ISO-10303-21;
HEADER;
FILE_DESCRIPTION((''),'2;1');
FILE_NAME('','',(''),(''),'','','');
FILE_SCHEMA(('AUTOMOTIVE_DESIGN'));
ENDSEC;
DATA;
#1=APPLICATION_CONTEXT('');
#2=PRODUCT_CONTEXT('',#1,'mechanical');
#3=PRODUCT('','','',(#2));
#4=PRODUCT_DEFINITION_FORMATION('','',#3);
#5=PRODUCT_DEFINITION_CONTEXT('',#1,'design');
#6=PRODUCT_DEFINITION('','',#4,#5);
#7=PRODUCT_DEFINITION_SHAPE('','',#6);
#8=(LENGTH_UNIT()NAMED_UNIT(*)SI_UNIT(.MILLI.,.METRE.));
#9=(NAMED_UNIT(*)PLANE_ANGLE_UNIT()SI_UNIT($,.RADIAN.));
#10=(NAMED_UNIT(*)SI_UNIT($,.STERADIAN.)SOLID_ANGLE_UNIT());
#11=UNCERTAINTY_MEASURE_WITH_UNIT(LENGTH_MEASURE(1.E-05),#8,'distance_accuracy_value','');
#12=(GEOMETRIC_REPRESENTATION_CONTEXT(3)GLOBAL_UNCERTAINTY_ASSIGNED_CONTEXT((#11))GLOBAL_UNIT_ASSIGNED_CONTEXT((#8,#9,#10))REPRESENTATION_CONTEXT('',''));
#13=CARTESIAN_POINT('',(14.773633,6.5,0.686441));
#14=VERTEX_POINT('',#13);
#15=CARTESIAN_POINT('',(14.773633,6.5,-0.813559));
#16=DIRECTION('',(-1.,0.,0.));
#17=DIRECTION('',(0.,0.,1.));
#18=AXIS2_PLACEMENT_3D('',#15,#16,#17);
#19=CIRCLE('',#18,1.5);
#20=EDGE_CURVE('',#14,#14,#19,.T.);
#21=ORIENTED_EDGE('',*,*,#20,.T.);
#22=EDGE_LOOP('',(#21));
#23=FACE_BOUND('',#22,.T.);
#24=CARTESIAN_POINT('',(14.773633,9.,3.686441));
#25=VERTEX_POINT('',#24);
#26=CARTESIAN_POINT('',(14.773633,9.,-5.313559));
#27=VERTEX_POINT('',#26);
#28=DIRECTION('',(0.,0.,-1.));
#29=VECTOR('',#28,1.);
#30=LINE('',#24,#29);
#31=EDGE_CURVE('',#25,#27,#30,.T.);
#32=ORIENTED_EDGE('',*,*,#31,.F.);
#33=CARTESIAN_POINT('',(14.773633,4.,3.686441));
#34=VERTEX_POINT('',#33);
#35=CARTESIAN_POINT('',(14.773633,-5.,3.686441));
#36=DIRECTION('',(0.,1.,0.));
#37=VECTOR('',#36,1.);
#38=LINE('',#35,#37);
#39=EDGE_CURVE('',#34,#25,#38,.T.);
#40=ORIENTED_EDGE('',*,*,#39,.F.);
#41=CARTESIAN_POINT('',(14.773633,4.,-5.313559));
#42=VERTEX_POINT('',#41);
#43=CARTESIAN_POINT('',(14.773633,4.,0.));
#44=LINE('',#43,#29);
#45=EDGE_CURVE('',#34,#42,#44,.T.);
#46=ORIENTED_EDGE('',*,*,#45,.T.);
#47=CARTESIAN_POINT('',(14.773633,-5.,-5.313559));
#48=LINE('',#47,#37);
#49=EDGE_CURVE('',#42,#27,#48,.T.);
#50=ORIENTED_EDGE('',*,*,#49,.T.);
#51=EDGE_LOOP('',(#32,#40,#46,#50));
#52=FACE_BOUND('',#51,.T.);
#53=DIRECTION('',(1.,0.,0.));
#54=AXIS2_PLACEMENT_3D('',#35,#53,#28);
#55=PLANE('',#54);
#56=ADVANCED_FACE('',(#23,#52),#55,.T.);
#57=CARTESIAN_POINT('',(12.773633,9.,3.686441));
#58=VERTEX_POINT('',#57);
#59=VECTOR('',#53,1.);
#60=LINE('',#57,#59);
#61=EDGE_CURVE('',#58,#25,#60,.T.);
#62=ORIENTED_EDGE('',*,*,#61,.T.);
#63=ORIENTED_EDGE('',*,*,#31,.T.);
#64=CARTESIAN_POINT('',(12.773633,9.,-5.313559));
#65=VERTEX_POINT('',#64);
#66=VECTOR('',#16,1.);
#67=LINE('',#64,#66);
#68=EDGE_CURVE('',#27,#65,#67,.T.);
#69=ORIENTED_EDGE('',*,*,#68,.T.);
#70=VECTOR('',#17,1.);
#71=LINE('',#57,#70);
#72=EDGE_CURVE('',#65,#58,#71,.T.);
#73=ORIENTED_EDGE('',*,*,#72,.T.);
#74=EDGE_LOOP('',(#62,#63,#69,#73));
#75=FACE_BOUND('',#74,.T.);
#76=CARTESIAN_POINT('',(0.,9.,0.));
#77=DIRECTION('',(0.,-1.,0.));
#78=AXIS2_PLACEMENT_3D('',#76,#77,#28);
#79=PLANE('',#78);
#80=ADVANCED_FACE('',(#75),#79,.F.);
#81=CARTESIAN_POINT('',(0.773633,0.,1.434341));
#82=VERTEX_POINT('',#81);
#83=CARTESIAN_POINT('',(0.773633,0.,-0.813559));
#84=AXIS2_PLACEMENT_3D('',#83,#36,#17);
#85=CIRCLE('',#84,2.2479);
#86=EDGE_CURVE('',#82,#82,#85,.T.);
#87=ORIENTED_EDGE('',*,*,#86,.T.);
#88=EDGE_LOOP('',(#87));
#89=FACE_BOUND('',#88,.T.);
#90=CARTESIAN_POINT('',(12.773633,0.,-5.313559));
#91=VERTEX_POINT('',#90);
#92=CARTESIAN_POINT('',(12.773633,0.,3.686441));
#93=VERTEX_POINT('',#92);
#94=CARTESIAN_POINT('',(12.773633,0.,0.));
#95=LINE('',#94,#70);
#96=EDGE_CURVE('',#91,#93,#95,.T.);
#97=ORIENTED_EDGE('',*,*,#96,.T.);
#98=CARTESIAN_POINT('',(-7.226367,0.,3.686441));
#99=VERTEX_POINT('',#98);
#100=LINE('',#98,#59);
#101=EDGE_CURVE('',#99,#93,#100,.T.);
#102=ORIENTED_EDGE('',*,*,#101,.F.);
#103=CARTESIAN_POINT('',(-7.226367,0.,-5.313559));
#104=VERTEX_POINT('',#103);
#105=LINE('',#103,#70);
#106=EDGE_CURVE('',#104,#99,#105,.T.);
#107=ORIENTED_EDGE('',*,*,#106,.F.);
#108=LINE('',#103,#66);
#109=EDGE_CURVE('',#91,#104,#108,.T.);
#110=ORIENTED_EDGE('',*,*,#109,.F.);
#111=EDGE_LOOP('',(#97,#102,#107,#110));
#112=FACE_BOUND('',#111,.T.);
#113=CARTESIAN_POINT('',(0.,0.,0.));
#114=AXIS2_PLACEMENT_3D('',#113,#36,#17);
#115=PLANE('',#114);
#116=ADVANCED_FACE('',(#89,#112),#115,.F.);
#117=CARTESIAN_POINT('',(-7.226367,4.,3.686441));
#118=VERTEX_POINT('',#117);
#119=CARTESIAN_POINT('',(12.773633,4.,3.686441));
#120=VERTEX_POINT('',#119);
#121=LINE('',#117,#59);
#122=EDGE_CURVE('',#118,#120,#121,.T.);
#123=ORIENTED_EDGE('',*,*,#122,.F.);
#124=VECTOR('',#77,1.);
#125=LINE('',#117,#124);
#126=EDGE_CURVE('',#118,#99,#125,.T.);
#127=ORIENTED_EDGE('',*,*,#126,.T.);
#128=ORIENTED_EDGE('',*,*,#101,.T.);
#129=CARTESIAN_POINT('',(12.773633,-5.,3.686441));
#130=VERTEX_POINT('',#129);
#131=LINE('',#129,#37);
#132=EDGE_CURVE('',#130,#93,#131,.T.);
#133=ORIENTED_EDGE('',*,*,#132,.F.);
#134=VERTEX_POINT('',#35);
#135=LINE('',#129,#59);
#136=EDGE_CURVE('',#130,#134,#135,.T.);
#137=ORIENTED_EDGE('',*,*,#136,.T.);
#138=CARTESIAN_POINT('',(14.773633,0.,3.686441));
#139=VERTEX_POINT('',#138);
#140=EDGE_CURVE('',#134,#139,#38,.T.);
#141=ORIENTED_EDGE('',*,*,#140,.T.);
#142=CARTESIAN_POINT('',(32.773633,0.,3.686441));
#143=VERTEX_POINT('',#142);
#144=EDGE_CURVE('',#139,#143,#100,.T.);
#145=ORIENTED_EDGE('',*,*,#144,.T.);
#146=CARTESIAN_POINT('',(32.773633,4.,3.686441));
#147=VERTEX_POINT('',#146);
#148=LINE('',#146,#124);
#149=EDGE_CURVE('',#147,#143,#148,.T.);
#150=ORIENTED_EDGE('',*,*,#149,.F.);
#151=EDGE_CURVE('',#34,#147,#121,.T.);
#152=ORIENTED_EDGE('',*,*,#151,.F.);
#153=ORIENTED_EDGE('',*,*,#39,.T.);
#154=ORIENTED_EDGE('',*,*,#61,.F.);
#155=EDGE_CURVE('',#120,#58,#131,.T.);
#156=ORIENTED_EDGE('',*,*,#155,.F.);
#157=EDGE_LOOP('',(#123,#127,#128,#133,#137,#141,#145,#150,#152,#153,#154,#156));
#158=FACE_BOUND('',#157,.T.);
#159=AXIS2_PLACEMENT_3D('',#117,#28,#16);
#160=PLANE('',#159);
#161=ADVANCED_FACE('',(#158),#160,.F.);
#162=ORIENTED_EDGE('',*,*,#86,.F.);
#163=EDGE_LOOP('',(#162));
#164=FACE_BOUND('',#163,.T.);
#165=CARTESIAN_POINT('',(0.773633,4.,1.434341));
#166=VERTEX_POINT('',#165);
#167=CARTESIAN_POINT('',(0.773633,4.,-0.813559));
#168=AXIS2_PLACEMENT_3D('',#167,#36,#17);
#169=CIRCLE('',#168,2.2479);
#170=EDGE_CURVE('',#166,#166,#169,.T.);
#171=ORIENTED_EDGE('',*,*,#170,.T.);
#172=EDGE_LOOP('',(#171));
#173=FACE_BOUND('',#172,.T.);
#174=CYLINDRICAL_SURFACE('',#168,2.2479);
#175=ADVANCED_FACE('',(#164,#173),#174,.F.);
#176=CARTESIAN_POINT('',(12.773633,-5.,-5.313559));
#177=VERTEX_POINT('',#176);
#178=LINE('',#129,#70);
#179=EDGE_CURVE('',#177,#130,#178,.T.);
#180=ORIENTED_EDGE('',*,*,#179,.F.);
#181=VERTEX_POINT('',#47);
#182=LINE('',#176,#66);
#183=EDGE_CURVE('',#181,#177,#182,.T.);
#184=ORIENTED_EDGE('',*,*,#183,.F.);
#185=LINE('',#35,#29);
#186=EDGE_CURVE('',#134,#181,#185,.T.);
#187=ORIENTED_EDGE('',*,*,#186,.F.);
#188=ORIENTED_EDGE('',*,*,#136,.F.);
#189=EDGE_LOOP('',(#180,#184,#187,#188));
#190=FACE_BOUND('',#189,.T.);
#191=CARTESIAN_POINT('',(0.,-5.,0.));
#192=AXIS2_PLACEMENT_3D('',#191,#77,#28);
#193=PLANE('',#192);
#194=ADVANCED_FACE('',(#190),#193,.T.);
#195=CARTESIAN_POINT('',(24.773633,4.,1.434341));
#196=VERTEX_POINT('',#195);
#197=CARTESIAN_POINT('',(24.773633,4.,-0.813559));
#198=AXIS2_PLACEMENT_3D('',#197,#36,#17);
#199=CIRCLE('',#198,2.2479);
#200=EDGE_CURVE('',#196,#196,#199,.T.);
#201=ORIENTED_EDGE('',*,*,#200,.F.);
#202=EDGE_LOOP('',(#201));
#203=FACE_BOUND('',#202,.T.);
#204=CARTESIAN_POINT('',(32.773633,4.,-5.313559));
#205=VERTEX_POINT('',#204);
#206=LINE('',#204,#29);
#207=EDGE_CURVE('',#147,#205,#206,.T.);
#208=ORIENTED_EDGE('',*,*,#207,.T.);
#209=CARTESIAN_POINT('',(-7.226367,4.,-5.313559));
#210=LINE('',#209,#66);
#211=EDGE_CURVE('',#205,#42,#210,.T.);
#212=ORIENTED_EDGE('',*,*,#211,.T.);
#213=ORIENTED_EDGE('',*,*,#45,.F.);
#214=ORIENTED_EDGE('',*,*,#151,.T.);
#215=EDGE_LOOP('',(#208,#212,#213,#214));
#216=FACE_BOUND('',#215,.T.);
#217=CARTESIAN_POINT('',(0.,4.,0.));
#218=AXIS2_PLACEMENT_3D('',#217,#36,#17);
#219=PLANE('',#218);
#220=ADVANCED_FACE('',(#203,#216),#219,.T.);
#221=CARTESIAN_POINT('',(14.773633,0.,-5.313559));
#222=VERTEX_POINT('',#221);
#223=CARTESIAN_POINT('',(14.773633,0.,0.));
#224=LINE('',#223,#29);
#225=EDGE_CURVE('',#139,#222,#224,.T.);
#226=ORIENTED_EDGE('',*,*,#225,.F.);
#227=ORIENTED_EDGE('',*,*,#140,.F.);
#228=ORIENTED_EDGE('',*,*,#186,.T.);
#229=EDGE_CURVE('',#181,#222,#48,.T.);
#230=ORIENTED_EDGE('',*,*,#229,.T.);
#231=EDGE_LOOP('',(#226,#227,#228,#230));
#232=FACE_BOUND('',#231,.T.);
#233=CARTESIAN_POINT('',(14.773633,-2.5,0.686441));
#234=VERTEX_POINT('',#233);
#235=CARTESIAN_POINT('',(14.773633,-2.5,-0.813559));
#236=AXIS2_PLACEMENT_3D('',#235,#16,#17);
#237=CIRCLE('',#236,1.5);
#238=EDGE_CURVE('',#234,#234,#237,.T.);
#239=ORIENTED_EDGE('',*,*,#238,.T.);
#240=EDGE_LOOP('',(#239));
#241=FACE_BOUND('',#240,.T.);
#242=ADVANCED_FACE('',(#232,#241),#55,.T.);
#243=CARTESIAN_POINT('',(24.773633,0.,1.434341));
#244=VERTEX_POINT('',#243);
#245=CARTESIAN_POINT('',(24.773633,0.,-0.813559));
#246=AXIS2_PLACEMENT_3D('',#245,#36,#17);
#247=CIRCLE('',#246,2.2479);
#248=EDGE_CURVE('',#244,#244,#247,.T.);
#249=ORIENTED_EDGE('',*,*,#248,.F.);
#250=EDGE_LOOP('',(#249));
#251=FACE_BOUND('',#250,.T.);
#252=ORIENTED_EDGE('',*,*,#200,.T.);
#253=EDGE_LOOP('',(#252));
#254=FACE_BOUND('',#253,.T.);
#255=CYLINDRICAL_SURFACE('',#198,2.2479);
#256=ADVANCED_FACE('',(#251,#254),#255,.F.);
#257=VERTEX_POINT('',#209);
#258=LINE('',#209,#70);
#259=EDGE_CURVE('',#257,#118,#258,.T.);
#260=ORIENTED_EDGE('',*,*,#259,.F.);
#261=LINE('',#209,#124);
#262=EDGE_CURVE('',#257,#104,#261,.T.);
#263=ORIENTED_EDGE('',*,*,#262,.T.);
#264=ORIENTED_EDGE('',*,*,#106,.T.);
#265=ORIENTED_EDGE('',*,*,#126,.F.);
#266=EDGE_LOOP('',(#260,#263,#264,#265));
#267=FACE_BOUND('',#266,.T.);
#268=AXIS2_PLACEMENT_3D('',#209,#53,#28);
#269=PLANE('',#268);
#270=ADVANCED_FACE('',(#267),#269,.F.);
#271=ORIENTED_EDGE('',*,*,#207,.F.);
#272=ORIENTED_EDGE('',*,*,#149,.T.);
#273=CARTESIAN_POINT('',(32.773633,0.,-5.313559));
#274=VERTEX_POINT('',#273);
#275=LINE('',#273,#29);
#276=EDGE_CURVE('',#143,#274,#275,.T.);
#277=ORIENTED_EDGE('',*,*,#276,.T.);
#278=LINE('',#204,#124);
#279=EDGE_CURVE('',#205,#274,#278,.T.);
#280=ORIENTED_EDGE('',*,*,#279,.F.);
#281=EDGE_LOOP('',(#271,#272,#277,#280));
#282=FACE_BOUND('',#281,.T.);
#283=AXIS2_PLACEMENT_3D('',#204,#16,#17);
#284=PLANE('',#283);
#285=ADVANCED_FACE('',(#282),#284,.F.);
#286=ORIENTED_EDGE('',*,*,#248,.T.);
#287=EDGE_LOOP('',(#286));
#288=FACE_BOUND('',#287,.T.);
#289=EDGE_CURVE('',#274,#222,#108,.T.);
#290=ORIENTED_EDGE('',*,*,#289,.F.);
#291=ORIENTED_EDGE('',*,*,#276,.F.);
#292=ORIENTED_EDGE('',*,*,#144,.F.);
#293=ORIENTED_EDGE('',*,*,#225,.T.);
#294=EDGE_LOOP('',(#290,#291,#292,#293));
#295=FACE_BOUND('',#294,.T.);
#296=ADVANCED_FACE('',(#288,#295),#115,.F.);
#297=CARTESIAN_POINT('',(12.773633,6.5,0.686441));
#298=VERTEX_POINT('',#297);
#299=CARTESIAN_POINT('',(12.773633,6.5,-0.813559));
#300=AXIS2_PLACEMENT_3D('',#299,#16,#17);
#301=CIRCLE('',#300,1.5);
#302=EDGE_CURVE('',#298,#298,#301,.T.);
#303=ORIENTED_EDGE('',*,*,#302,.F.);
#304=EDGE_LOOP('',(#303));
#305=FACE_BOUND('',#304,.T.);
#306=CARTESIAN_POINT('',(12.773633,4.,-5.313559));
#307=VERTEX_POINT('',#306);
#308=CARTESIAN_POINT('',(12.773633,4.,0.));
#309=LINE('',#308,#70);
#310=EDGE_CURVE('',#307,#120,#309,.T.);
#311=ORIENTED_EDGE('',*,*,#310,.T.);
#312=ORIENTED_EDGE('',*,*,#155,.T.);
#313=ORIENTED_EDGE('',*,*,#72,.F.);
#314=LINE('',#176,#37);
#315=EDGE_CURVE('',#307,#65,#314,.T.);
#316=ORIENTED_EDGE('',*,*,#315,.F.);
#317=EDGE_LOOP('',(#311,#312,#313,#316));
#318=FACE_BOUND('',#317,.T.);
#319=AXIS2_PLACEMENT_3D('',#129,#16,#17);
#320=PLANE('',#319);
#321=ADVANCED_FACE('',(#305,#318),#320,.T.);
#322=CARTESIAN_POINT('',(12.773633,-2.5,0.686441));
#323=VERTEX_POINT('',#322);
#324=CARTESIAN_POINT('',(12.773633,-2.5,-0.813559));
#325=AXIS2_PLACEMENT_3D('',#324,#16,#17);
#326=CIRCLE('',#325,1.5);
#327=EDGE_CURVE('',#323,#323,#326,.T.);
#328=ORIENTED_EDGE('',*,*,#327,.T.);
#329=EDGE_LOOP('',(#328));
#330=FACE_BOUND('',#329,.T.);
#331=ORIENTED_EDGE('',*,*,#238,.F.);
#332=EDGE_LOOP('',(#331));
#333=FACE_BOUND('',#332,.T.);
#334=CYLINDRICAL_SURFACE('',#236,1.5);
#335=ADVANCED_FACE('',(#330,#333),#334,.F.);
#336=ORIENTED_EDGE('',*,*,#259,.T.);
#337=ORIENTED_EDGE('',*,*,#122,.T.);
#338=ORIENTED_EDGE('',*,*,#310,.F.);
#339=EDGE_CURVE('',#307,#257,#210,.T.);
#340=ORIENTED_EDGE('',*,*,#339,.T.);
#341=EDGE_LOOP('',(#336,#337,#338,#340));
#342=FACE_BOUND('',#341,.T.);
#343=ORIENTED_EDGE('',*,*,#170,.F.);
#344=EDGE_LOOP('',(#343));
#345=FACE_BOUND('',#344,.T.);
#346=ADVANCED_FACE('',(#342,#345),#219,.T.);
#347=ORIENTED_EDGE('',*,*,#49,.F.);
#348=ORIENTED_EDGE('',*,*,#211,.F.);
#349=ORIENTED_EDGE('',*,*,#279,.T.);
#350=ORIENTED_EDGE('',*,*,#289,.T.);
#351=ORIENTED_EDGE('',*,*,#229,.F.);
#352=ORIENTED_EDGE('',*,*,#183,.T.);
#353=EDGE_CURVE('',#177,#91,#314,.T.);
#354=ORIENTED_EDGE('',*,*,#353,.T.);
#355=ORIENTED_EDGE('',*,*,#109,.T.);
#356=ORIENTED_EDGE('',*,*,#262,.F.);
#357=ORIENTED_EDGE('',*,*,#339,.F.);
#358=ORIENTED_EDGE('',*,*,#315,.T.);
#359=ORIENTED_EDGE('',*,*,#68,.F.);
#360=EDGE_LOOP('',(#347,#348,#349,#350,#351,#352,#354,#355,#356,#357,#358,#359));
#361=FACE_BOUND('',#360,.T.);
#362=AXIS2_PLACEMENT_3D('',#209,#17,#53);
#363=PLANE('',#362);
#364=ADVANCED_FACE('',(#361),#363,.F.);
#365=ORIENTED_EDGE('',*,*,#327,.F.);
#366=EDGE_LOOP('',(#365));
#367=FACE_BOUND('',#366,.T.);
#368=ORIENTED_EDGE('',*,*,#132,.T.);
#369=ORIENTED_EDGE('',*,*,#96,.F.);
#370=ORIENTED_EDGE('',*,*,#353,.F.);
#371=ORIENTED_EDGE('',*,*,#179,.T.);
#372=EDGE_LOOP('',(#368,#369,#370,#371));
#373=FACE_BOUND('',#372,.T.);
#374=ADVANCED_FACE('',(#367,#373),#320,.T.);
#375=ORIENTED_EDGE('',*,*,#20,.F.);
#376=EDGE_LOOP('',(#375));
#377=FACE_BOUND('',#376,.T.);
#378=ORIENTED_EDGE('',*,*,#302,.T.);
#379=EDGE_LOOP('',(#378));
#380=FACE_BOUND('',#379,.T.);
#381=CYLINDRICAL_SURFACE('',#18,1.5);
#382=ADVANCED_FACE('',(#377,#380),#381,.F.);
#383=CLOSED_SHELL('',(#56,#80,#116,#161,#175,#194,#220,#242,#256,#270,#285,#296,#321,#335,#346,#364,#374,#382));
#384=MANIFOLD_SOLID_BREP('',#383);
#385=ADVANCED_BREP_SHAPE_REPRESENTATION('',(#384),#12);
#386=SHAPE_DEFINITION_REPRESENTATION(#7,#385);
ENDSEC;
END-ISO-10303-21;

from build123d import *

# Parameters (mm, degrees)
SKETCH1_W                 = 40
SKETCH1_H                 = 9
BOSS_EXTRUDE1_DEPTH       = 4
F_8_CLEARANCE_HOLE1_D     = 4.4958
F_8_CLEARANCE_HOLE1_DEPTH = 17
F_8_CLEARANCE_HOLE1_TIP   = 1.350674586
SKETCH5_W                 = 2
SKETCH5_H                 = 9
BOSS_EXTRUDE2_DEPTH       = 5
BOSS_EXTRUDE2_DEPTH_BACK  = 9
SKETCH6_R                 = 1.5
CUT_EXTRUDE1_DEPTH        = 2


with BuildPart() as part:
    # Sketch1 → Boss-Extrude1 (new body)
    with BuildSketch(Plane(origin=(0, 0, 0), x_dir=(1, 0, 0), z_dir=(0, 1, 0))):
        with Locations((12.773632998, 0.813559322)):
            Rectangle(SKETCH1_W, SKETCH1_H)
    extrude(amount=BOSS_EXTRUDE1_DEPTH)

    # #8 Clearance Hole1
    with Locations(Plane(origin=(0.773632998, 4, -0.813559322), x_dir=(0, 0, 1), z_dir=(0, 1, 0))):
        with Locations((0, 0), (0, 24)):
            Hole(F_8_CLEARANCE_HOLE1_D / 2, depth=F_8_CLEARANCE_HOLE1_DEPTH)
            with Locations((0, 0, -(F_8_CLEARANCE_HOLE1_DEPTH + F_8_CLEARANCE_HOLE1_TIP / 2))):  # 118° drill point
                Cone(0, F_8_CLEARANCE_HOLE1_D / 2, F_8_CLEARANCE_HOLE1_TIP, mode=Mode.SUBTRACT)

    # Sketch5 → Boss-Extrude2 (add, two sides)
    with BuildSketch(Plane(origin=(0, 4, 0), x_dir=(1, 0, 0), z_dir=(0, 1, 0))) as boss_extrude2_sk:
        with Locations((13.773632998, 0.813559322)):
            Rectangle(SKETCH5_W, SKETCH5_H)
    extrude(amount=BOSS_EXTRUDE2_DEPTH)
    extrude(boss_extrude2_sk.sketch, amount=-BOSS_EXTRUDE2_DEPTH_BACK)

    # Sketch6 → Cut-Extrude1 (cut)
    with BuildSketch(Plane.ZY.offset(-12.773632998)):
        with Locations((-0.813559322, 6.5)):
            Circle(SKETCH6_R)
        with Locations((-0.813559322, -2.5)):
            Circle(SKETCH6_R)
    extrude(amount=-CUT_EXTRUDE1_DEPTH, mode=Mode.SUBTRACT)


solid = part.part
